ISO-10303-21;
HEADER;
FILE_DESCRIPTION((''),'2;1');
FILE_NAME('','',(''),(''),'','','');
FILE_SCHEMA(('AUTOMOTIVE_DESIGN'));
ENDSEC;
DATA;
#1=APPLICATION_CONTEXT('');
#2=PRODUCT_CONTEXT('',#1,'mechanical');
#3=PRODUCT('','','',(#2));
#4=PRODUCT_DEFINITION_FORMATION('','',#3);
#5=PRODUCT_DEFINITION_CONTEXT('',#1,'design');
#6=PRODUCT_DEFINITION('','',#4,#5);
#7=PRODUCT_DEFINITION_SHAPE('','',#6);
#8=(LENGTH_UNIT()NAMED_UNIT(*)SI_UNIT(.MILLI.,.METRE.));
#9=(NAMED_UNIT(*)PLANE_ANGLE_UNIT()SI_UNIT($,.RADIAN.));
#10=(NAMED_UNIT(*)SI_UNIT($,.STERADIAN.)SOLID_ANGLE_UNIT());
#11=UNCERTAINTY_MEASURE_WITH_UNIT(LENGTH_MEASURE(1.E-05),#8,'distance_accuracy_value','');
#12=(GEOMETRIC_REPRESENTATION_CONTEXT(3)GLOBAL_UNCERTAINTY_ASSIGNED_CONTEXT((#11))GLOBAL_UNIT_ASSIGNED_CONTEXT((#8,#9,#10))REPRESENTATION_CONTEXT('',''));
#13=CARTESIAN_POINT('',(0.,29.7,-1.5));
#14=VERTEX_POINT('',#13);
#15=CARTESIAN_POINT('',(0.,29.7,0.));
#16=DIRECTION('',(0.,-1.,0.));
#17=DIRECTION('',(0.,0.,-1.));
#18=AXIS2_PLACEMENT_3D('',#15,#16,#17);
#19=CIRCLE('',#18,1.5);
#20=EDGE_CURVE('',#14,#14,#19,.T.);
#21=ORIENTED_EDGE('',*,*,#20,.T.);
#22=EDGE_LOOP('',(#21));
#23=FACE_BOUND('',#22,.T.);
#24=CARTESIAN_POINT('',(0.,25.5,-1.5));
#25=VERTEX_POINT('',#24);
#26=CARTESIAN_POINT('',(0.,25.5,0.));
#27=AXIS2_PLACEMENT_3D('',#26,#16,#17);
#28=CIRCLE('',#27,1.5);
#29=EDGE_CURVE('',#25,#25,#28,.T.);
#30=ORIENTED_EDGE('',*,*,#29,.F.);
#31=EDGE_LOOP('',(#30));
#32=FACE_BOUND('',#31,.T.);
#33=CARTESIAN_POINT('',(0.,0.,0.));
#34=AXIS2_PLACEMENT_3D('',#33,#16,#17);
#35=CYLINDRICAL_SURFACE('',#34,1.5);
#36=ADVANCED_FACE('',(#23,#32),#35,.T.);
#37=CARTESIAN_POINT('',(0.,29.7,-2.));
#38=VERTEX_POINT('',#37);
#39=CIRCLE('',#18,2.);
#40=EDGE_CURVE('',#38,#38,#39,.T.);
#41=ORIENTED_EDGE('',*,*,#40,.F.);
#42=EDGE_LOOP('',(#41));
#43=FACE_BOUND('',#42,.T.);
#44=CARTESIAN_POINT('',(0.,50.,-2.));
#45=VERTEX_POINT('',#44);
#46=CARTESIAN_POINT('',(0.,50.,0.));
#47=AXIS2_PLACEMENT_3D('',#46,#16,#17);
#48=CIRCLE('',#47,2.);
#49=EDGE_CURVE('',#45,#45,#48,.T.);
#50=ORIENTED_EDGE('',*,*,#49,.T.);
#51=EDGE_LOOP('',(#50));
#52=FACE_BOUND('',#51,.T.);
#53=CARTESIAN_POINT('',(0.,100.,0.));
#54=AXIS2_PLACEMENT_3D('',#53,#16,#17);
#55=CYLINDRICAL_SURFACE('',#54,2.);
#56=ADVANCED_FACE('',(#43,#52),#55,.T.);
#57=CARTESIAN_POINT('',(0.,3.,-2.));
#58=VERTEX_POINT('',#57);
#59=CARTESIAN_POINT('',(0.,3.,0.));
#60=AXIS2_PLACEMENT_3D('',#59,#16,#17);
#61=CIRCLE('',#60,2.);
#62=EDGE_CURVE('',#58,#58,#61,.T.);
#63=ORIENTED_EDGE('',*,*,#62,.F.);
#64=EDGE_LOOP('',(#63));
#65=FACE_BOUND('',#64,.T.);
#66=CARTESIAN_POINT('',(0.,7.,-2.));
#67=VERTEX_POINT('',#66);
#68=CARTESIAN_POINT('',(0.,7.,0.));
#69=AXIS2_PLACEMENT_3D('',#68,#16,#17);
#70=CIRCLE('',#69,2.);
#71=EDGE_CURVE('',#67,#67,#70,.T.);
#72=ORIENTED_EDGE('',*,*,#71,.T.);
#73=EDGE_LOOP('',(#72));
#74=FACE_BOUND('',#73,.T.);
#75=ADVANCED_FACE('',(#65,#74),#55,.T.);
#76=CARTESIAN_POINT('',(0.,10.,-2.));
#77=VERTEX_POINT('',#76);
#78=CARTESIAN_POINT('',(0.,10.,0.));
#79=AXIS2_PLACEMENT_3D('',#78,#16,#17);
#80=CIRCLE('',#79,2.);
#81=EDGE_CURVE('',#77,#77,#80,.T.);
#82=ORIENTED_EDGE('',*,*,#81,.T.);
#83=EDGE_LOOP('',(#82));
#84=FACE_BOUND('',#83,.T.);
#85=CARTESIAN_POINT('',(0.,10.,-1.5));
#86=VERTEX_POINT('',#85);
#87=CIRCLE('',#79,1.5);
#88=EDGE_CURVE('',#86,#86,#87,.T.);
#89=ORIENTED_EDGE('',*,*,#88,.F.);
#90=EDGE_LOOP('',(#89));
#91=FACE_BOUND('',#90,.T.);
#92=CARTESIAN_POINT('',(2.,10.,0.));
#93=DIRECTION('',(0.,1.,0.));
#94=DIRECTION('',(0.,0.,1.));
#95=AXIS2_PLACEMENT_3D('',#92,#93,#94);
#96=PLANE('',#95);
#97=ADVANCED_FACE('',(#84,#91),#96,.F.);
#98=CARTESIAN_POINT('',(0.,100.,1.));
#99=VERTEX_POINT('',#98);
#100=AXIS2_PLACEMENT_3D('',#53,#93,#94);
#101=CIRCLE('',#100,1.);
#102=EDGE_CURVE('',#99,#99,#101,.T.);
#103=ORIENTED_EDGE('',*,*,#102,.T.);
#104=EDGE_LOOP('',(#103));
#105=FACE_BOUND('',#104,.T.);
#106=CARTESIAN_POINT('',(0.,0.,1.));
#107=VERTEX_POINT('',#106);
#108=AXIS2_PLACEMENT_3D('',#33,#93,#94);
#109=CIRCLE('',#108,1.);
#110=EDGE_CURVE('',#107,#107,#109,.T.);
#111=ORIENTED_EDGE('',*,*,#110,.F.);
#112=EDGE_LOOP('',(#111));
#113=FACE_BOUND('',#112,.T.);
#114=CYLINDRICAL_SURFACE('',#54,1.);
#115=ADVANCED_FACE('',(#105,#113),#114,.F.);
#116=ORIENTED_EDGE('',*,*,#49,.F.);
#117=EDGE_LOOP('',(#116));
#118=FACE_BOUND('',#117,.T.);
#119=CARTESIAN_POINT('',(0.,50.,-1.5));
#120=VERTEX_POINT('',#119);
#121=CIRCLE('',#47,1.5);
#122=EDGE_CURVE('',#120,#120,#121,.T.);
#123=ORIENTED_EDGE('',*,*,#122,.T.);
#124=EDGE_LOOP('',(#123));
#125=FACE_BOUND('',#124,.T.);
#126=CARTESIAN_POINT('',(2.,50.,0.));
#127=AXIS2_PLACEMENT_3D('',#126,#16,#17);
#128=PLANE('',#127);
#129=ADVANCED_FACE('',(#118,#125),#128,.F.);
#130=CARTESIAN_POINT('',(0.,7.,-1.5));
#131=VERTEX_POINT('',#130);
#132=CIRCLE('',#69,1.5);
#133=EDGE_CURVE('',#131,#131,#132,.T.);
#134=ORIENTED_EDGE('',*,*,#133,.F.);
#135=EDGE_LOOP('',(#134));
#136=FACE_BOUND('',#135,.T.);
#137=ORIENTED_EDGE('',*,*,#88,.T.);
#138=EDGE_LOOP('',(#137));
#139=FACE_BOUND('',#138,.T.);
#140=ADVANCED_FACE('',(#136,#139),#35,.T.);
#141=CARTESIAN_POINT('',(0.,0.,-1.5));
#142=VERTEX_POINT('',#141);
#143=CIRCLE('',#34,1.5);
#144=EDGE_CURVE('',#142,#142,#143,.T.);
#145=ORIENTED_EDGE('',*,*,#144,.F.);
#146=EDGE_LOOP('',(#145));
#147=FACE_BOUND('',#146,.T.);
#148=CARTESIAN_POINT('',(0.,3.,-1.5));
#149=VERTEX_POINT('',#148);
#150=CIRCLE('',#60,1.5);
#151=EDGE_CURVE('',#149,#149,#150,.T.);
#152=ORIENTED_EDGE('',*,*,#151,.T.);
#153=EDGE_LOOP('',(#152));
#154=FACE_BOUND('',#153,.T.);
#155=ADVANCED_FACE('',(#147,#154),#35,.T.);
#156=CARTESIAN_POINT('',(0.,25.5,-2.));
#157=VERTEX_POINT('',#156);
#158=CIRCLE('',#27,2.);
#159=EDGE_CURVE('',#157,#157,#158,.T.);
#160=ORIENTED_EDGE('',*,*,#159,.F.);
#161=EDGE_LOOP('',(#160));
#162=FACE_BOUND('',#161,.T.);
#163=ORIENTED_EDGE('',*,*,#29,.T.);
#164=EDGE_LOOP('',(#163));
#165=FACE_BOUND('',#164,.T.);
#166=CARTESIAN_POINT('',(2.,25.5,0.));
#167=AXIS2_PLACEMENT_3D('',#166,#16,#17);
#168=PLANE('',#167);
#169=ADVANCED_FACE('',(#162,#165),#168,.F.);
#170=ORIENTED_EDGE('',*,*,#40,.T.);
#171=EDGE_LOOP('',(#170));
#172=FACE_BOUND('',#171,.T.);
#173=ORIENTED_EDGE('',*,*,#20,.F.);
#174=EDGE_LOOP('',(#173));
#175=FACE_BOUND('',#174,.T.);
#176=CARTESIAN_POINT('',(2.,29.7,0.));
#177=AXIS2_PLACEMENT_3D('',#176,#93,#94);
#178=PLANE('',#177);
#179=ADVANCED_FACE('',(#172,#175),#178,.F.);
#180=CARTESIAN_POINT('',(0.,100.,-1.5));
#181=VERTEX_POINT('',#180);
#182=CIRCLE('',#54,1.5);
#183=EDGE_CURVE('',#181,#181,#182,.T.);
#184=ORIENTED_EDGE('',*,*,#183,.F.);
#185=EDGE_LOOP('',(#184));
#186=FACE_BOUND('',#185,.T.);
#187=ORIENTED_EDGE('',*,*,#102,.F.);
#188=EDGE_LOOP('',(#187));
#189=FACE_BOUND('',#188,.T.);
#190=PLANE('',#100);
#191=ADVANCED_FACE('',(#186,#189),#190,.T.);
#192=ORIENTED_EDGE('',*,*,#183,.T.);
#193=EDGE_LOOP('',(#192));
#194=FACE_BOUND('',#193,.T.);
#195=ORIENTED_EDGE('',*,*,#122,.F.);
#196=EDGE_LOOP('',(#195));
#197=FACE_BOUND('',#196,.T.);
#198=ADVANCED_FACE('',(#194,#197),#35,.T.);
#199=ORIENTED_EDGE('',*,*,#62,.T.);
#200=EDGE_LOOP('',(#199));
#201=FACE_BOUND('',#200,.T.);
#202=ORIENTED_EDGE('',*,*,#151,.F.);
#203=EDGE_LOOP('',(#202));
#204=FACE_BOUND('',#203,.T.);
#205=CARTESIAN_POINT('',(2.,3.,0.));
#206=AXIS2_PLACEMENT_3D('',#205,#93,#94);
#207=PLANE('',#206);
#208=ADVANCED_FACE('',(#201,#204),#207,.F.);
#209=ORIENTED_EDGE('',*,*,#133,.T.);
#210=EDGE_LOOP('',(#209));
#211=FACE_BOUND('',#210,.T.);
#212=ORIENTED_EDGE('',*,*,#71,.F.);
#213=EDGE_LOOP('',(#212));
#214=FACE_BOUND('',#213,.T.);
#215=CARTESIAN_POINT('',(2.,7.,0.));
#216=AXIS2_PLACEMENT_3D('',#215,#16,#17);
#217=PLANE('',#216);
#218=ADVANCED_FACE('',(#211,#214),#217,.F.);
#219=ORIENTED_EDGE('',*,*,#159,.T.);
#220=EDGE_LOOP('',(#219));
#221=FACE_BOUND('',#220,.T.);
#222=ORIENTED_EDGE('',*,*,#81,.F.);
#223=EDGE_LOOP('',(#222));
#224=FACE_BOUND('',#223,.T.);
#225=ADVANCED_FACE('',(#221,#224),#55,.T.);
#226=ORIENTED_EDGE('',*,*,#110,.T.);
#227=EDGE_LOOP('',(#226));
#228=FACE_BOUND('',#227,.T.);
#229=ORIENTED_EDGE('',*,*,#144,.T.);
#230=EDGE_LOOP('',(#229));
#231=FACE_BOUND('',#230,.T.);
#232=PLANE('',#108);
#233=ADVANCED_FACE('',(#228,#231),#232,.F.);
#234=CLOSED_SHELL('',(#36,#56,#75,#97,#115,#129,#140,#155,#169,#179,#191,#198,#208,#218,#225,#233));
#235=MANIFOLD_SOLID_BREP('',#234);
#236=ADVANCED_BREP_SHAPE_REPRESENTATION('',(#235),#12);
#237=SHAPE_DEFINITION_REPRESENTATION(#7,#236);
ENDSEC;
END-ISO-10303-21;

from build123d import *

# Parameters (mm, degrees)
SKETCH_1_R      = 2
SKETCH_1_R_2    = 1
EXTRUDE_1_DEPTH = 100
SKETCH_2_W      = 0.5
SKETCH_2_H      = 3
SKETCH_4_W      = 0.5
SKETCH_4_H      = 50
SKETCH_5_W      = 0.5
SKETCH_5_H      = 4.2


with BuildPart() as part:
    # Эскиз1 → Бобышка-Вытянуть1 (new body)
    with BuildSketch(Plane(origin=(0, 0, 0), x_dir=(1, 0, 0), z_dir=(0, 1, 0))):
        Circle(SKETCH_1_R)
        Circle(SKETCH_1_R_2, mode=Mode.SUBTRACT)
    extrude(amount=EXTRUDE_1_DEPTH)

    # Эскиз2 → Вырез-Повернуть1 (revolve, cut)
    with BuildSketch(Plane.XY):
        with Locations((1.75, 1.5)):
            Rectangle(SKETCH_2_W, SKETCH_2_H)
        with Locations((1.75, 8.5)):
            Rectangle(SKETCH_2_W, SKETCH_2_H)
    revolve(axis=Axis((0, 0, 0), (0, 1, 0)), mode=Mode.SUBTRACT)

    # Эскиз4 → Вырез-Повернуть2 (revolve, cut)
    with BuildSketch(Plane.XY):
        with Locations((1.75, 75)):
            Rectangle(SKETCH_4_W, SKETCH_4_H)
    revolve(axis=Axis((0, 0, 0), (0, 1, 0)), mode=Mode.SUBTRACT)

    # Эскиз5 → Вырез-Повернуть3 (revolve, cut)
    with BuildSketch(Plane.XY):
        with Locations((1.75, 27.6)):
            Rectangle(SKETCH_5_W, SKETCH_5_H)
    revolve(axis=Axis((0, 0, 0), (0, 1, 0)), mode=Mode.SUBTRACT)


solid = part.part
